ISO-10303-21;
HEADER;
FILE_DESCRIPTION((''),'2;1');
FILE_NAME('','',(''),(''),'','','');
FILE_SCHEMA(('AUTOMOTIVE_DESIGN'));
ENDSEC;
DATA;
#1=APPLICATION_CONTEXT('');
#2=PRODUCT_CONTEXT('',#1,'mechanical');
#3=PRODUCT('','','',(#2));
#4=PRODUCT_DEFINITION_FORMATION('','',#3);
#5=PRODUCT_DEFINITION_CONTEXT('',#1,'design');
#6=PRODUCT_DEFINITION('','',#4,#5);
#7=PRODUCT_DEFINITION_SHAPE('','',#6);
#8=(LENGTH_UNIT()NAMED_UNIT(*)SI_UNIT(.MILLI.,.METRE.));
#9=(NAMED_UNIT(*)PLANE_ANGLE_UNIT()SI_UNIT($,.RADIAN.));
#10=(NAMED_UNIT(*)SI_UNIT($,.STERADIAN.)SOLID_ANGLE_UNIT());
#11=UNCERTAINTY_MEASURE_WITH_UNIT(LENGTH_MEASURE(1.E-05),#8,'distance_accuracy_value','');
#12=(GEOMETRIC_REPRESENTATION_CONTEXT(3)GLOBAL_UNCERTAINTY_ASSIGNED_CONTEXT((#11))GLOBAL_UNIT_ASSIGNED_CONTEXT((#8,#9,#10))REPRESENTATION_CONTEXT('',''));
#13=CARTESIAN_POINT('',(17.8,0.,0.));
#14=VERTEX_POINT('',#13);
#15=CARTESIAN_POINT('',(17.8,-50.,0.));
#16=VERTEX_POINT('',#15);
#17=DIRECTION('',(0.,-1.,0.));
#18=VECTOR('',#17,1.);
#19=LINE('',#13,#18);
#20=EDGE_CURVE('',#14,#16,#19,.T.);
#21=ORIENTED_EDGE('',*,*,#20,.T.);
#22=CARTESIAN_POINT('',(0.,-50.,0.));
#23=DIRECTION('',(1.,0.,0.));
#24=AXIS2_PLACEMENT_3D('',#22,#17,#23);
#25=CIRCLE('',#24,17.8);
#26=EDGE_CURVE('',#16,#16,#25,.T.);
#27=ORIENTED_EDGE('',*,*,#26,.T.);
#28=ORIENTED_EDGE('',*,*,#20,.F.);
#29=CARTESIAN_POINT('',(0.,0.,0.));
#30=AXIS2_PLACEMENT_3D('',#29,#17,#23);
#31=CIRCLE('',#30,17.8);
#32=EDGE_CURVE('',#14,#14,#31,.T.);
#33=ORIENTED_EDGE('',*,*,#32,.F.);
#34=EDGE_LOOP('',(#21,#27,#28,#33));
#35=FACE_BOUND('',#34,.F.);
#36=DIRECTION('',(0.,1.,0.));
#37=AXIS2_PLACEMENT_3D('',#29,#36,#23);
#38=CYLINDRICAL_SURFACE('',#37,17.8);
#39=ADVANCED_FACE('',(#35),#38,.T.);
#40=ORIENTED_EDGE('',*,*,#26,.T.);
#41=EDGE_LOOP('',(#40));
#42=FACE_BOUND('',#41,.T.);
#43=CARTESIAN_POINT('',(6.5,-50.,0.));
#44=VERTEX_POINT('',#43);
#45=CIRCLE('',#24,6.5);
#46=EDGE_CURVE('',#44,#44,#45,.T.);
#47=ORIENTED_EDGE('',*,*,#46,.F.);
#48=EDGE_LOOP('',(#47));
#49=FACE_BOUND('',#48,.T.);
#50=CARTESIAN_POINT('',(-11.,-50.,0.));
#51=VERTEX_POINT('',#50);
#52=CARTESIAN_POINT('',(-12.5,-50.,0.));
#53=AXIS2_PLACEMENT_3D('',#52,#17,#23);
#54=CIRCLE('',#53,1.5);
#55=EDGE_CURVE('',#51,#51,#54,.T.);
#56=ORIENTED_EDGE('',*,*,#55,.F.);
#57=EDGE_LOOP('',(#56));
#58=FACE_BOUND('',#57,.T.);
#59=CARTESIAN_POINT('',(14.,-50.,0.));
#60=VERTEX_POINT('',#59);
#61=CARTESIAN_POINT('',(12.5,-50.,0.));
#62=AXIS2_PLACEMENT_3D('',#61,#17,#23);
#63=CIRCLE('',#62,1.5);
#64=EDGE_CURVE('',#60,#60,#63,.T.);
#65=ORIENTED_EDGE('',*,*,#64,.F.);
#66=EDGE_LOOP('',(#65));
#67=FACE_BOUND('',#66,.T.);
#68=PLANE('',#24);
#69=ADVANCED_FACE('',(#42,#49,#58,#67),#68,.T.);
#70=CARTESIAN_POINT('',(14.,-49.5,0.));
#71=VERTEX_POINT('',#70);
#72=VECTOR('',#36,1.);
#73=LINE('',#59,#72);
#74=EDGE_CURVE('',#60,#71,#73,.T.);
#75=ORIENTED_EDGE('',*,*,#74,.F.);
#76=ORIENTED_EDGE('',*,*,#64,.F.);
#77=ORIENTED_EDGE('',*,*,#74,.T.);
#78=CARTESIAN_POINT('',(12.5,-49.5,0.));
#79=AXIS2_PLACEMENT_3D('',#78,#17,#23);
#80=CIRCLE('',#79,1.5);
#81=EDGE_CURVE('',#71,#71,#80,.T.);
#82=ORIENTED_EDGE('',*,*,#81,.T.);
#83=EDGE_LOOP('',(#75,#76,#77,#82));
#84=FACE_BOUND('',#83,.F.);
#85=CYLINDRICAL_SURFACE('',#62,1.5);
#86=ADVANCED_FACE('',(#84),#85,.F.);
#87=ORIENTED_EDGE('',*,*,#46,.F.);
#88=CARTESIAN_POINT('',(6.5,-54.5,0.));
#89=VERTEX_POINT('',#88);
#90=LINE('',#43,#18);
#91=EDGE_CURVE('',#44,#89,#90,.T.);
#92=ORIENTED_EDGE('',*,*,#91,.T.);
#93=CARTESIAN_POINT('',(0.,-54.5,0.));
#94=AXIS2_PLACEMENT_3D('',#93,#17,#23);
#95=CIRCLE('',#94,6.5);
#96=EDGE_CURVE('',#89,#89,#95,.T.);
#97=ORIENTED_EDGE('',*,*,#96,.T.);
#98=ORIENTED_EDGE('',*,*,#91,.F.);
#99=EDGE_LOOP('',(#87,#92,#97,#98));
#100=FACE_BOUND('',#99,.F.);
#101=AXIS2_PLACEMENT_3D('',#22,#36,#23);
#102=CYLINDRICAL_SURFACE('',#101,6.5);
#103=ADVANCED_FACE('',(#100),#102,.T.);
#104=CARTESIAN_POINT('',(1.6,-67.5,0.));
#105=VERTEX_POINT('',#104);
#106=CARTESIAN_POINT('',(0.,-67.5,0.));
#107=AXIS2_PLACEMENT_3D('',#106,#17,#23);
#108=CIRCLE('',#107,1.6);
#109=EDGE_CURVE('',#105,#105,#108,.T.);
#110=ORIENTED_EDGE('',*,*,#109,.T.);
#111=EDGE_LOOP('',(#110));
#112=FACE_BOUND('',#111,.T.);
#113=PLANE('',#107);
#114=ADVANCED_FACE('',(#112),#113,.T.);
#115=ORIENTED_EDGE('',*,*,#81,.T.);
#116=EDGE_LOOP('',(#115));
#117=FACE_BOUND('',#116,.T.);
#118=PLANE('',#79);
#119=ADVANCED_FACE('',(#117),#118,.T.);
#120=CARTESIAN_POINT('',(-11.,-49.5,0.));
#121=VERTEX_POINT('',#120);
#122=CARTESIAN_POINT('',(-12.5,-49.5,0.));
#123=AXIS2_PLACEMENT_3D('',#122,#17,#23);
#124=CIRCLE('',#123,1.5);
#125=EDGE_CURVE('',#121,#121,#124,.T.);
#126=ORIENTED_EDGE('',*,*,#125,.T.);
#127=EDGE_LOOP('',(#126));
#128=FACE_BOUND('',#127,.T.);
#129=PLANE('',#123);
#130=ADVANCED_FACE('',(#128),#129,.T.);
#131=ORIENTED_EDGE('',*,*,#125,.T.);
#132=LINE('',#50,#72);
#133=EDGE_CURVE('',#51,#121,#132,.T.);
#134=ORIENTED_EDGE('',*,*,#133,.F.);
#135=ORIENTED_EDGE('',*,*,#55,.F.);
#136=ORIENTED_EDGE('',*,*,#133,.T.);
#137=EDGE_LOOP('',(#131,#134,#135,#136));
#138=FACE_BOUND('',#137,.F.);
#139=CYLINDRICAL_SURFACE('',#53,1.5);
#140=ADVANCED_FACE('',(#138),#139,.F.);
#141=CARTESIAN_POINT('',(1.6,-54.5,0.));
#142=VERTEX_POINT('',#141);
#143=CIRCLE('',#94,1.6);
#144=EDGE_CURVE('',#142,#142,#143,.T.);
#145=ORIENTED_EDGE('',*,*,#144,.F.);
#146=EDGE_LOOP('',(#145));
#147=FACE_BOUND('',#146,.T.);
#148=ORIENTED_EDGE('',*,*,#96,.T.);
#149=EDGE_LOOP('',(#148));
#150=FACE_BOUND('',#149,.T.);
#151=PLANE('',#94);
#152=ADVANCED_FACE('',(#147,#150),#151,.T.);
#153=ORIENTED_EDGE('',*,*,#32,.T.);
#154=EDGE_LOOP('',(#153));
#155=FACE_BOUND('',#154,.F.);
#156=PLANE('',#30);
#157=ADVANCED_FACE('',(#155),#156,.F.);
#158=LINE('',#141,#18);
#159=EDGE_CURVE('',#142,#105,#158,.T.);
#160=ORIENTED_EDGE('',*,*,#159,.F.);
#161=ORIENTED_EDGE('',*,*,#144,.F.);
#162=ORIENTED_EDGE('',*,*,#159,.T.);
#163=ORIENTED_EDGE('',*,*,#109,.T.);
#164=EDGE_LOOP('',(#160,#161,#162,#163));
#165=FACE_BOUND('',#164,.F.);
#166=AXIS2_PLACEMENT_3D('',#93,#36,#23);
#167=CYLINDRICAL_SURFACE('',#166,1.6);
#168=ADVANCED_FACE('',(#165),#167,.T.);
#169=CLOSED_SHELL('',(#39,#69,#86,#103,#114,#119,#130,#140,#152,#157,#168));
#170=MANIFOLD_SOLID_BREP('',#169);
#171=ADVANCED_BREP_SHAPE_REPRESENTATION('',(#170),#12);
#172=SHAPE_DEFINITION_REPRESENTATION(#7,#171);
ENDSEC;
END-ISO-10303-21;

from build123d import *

# Parameters (mm, degrees)
F0_R     = 17.8
F1_DEPTH = 50
F2_R     = 6.5
F3_DEPTH = 4.5
F4_R     = 1.6
F5_DEPTH = 13
F6_R     = 1.5
F7_DEPTH = 0.5


with BuildPart() as f1:
    # F0 (on Front) → F1 (new body)
    with BuildSketch(Plane.XZ):
        Circle(F0_R)
    extrude(amount=F1_DEPTH)

    # F2 (on face) → F3 (join)
    with BuildSketch(Plane.XZ.offset(50)):
        Circle(F2_R)
    extrude(amount=F3_DEPTH)

    # F4 (on face) → F5 (join)
    with BuildSketch(Plane.XZ.offset(54.5)):
        Circle(F4_R)
    extrude(amount=F5_DEPTH)

    # F6 (on face) → F7 (cut)
    with BuildSketch(Plane.XZ.offset(50)):
        with Locations((-12.5, 0)):
            Circle(F6_R)
        with Locations((12.5, 0)):
            Circle(F6_R)
    extrude(amount=-F7_DEPTH, mode=Mode.SUBTRACT)


solid = f1.part
